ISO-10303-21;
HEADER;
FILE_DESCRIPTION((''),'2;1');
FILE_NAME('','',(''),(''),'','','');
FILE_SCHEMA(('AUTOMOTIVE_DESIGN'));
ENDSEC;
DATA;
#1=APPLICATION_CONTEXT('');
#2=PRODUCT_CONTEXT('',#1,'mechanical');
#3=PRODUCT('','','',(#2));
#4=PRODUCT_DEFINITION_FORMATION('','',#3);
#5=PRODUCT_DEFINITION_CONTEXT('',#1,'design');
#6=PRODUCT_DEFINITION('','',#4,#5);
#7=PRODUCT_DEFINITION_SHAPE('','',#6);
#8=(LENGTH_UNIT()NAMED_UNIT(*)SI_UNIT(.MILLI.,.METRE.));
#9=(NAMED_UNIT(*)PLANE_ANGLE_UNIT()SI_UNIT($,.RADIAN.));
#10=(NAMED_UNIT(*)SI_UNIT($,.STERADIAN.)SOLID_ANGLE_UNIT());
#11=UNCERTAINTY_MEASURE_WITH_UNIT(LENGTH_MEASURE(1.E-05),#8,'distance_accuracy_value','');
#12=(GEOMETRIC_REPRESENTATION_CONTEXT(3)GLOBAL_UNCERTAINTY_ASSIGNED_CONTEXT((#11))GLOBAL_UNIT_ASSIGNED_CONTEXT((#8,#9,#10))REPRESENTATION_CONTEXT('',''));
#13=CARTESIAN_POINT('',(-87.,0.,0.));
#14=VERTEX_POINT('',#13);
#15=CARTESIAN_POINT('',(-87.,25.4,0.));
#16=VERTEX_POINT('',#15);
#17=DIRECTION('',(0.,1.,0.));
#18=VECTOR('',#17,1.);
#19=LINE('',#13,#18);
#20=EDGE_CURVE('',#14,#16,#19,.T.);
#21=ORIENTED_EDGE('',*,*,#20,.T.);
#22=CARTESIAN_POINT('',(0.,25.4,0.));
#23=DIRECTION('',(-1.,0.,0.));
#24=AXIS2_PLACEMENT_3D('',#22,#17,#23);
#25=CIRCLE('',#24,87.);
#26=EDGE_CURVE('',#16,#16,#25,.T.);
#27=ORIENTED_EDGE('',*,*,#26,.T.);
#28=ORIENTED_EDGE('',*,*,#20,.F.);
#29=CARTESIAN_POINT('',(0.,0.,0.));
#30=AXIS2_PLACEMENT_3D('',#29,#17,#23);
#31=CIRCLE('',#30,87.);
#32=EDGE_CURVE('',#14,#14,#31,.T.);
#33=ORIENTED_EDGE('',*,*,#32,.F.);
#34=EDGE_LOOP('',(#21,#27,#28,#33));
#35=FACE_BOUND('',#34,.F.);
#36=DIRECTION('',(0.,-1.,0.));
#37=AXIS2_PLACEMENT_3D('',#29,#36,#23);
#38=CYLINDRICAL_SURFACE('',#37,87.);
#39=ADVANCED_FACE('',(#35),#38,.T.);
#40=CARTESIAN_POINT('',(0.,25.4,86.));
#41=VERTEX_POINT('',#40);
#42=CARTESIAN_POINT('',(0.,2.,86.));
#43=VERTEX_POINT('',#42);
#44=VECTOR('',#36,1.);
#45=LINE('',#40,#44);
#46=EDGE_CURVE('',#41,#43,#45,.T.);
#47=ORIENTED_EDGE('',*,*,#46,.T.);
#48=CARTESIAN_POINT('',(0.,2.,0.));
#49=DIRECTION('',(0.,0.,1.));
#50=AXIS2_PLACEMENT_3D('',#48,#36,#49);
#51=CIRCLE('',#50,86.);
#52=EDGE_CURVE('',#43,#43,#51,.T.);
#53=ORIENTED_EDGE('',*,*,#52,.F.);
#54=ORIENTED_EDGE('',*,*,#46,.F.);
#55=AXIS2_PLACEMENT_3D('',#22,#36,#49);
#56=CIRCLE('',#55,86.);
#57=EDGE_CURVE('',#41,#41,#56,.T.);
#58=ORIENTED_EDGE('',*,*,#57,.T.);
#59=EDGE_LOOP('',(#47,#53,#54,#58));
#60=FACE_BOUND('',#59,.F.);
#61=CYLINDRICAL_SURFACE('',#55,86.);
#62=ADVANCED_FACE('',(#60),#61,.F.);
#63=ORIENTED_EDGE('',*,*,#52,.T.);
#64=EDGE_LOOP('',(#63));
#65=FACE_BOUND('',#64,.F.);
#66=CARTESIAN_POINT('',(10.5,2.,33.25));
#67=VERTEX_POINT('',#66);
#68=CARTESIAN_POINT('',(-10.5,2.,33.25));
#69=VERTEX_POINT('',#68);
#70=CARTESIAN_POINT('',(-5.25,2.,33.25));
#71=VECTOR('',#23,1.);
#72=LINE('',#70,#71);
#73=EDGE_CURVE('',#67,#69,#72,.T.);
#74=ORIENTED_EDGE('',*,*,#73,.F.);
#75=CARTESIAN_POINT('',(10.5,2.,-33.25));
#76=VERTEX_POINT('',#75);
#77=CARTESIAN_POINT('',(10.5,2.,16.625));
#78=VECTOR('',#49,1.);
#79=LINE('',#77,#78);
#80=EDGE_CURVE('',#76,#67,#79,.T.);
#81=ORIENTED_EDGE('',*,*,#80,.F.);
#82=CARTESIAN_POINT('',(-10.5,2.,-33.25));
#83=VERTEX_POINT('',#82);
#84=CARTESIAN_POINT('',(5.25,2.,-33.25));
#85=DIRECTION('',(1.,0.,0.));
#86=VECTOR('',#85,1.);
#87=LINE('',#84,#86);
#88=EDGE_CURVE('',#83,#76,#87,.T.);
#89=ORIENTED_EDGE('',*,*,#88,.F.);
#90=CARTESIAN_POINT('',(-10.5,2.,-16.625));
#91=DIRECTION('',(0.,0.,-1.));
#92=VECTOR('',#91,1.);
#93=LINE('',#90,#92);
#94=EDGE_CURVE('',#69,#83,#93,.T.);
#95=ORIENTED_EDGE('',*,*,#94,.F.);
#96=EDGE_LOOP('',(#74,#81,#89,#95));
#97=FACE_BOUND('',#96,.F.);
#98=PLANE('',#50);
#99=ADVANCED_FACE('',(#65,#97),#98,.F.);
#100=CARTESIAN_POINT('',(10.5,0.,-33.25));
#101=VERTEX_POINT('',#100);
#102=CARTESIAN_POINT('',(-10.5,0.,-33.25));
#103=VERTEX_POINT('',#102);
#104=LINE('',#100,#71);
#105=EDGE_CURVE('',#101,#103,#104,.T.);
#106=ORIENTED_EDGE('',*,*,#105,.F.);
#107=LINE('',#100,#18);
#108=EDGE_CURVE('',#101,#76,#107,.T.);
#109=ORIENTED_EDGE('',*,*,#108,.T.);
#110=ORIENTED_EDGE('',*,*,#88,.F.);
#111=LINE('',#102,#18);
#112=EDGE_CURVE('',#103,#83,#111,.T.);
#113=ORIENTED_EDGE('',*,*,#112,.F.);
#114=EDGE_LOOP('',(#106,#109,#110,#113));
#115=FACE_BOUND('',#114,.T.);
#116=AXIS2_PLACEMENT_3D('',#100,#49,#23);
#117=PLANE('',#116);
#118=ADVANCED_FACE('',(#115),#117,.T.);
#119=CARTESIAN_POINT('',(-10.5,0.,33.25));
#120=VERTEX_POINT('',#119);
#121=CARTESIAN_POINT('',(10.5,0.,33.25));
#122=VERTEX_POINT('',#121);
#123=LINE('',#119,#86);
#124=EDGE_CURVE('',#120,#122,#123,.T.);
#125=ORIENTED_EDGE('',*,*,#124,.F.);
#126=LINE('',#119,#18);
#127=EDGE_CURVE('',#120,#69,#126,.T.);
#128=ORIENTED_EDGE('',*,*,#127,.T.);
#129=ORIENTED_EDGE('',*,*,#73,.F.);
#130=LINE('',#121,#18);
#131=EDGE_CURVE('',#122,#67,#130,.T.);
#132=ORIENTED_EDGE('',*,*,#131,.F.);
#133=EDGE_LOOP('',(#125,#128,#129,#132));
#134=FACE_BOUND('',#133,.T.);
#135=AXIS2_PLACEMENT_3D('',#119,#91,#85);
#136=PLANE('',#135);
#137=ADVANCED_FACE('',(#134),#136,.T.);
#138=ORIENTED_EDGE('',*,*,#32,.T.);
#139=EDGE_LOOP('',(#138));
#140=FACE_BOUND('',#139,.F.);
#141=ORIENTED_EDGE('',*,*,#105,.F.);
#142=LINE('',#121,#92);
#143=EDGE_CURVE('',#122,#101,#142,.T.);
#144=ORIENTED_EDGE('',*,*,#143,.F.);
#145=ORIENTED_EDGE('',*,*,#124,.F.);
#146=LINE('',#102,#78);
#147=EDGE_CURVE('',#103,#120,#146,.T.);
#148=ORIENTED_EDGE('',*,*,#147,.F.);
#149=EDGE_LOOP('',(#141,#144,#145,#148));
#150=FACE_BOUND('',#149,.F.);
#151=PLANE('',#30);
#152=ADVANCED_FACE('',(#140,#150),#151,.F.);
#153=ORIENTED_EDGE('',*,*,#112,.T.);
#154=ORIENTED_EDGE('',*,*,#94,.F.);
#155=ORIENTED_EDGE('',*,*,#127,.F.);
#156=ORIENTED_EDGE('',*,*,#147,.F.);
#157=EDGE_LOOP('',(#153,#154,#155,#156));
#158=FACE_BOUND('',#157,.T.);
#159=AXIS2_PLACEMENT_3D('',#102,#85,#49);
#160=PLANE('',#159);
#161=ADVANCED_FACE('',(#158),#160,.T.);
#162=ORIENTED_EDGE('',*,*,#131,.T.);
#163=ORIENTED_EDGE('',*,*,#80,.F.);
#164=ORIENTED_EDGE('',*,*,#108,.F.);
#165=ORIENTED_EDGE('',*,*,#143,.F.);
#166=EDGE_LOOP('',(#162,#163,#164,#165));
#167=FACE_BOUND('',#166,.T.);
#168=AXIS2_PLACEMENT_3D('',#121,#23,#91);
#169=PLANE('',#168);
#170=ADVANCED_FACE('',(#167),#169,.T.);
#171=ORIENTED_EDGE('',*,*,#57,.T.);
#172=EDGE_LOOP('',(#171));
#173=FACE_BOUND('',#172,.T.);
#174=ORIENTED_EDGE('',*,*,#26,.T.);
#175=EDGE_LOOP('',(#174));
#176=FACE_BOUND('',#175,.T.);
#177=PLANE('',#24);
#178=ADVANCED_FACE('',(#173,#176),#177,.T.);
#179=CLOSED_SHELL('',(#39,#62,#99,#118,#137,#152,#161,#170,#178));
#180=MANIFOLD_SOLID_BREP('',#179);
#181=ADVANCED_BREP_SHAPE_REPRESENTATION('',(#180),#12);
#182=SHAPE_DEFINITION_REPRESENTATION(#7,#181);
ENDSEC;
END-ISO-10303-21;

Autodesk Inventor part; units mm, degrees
ref_plane "XZ Plane" through (0, 0, 0) normal (0, 1, 0) x (-1, 0, 0)
ref_plane "XY Plane" through (0, 0, 0) normal (0, 0, 1) x (1, 0, 0)
sketch "Sketch1" plane through (0, 0, 0) normal (0, 1, 0) x (-1, 0, 0)
  circle A0 centre (0, 0) radius 87
  line L0 (10.5, 33.25) -> (-10.5, 33.25)
  line L1 (-10.5, 33.25) -> (-10.5, -33.25)
  line L2 (-10.5, -33.25) -> (10.5, -33.25)
  line L3 (10.5, -33.25) -> (10.5, 33.25)
  line L4 (10.5, 33.25) -> (-10.5, -33.25) construction
  line L5 (-10.5, 33.25) -> (10.5, -33.25) construction
  dimension "d0" = 174
  dimension "d1" = 21
  dimension "d2" = 66.5
ref_plane "Work Plane1" through (0, 0, 0) normal (1, 0, 0) x (0, 1, 0)
extrude "Extrusion2" add sketch "Sketch1" along normal blind 25.4
sketch "Sketch3" plane through (0, 25.4, 0) normal (0, 1, 0) x (1, 0, 0)
  circle A0 centre (0, 0) radius 86
  dimension "d63" = 172
hole "Hole2" at (0, 25.4, 0) direction (0, -1, 0) diameter 172 depth 23.4
properties part number "Bottom Cap"
